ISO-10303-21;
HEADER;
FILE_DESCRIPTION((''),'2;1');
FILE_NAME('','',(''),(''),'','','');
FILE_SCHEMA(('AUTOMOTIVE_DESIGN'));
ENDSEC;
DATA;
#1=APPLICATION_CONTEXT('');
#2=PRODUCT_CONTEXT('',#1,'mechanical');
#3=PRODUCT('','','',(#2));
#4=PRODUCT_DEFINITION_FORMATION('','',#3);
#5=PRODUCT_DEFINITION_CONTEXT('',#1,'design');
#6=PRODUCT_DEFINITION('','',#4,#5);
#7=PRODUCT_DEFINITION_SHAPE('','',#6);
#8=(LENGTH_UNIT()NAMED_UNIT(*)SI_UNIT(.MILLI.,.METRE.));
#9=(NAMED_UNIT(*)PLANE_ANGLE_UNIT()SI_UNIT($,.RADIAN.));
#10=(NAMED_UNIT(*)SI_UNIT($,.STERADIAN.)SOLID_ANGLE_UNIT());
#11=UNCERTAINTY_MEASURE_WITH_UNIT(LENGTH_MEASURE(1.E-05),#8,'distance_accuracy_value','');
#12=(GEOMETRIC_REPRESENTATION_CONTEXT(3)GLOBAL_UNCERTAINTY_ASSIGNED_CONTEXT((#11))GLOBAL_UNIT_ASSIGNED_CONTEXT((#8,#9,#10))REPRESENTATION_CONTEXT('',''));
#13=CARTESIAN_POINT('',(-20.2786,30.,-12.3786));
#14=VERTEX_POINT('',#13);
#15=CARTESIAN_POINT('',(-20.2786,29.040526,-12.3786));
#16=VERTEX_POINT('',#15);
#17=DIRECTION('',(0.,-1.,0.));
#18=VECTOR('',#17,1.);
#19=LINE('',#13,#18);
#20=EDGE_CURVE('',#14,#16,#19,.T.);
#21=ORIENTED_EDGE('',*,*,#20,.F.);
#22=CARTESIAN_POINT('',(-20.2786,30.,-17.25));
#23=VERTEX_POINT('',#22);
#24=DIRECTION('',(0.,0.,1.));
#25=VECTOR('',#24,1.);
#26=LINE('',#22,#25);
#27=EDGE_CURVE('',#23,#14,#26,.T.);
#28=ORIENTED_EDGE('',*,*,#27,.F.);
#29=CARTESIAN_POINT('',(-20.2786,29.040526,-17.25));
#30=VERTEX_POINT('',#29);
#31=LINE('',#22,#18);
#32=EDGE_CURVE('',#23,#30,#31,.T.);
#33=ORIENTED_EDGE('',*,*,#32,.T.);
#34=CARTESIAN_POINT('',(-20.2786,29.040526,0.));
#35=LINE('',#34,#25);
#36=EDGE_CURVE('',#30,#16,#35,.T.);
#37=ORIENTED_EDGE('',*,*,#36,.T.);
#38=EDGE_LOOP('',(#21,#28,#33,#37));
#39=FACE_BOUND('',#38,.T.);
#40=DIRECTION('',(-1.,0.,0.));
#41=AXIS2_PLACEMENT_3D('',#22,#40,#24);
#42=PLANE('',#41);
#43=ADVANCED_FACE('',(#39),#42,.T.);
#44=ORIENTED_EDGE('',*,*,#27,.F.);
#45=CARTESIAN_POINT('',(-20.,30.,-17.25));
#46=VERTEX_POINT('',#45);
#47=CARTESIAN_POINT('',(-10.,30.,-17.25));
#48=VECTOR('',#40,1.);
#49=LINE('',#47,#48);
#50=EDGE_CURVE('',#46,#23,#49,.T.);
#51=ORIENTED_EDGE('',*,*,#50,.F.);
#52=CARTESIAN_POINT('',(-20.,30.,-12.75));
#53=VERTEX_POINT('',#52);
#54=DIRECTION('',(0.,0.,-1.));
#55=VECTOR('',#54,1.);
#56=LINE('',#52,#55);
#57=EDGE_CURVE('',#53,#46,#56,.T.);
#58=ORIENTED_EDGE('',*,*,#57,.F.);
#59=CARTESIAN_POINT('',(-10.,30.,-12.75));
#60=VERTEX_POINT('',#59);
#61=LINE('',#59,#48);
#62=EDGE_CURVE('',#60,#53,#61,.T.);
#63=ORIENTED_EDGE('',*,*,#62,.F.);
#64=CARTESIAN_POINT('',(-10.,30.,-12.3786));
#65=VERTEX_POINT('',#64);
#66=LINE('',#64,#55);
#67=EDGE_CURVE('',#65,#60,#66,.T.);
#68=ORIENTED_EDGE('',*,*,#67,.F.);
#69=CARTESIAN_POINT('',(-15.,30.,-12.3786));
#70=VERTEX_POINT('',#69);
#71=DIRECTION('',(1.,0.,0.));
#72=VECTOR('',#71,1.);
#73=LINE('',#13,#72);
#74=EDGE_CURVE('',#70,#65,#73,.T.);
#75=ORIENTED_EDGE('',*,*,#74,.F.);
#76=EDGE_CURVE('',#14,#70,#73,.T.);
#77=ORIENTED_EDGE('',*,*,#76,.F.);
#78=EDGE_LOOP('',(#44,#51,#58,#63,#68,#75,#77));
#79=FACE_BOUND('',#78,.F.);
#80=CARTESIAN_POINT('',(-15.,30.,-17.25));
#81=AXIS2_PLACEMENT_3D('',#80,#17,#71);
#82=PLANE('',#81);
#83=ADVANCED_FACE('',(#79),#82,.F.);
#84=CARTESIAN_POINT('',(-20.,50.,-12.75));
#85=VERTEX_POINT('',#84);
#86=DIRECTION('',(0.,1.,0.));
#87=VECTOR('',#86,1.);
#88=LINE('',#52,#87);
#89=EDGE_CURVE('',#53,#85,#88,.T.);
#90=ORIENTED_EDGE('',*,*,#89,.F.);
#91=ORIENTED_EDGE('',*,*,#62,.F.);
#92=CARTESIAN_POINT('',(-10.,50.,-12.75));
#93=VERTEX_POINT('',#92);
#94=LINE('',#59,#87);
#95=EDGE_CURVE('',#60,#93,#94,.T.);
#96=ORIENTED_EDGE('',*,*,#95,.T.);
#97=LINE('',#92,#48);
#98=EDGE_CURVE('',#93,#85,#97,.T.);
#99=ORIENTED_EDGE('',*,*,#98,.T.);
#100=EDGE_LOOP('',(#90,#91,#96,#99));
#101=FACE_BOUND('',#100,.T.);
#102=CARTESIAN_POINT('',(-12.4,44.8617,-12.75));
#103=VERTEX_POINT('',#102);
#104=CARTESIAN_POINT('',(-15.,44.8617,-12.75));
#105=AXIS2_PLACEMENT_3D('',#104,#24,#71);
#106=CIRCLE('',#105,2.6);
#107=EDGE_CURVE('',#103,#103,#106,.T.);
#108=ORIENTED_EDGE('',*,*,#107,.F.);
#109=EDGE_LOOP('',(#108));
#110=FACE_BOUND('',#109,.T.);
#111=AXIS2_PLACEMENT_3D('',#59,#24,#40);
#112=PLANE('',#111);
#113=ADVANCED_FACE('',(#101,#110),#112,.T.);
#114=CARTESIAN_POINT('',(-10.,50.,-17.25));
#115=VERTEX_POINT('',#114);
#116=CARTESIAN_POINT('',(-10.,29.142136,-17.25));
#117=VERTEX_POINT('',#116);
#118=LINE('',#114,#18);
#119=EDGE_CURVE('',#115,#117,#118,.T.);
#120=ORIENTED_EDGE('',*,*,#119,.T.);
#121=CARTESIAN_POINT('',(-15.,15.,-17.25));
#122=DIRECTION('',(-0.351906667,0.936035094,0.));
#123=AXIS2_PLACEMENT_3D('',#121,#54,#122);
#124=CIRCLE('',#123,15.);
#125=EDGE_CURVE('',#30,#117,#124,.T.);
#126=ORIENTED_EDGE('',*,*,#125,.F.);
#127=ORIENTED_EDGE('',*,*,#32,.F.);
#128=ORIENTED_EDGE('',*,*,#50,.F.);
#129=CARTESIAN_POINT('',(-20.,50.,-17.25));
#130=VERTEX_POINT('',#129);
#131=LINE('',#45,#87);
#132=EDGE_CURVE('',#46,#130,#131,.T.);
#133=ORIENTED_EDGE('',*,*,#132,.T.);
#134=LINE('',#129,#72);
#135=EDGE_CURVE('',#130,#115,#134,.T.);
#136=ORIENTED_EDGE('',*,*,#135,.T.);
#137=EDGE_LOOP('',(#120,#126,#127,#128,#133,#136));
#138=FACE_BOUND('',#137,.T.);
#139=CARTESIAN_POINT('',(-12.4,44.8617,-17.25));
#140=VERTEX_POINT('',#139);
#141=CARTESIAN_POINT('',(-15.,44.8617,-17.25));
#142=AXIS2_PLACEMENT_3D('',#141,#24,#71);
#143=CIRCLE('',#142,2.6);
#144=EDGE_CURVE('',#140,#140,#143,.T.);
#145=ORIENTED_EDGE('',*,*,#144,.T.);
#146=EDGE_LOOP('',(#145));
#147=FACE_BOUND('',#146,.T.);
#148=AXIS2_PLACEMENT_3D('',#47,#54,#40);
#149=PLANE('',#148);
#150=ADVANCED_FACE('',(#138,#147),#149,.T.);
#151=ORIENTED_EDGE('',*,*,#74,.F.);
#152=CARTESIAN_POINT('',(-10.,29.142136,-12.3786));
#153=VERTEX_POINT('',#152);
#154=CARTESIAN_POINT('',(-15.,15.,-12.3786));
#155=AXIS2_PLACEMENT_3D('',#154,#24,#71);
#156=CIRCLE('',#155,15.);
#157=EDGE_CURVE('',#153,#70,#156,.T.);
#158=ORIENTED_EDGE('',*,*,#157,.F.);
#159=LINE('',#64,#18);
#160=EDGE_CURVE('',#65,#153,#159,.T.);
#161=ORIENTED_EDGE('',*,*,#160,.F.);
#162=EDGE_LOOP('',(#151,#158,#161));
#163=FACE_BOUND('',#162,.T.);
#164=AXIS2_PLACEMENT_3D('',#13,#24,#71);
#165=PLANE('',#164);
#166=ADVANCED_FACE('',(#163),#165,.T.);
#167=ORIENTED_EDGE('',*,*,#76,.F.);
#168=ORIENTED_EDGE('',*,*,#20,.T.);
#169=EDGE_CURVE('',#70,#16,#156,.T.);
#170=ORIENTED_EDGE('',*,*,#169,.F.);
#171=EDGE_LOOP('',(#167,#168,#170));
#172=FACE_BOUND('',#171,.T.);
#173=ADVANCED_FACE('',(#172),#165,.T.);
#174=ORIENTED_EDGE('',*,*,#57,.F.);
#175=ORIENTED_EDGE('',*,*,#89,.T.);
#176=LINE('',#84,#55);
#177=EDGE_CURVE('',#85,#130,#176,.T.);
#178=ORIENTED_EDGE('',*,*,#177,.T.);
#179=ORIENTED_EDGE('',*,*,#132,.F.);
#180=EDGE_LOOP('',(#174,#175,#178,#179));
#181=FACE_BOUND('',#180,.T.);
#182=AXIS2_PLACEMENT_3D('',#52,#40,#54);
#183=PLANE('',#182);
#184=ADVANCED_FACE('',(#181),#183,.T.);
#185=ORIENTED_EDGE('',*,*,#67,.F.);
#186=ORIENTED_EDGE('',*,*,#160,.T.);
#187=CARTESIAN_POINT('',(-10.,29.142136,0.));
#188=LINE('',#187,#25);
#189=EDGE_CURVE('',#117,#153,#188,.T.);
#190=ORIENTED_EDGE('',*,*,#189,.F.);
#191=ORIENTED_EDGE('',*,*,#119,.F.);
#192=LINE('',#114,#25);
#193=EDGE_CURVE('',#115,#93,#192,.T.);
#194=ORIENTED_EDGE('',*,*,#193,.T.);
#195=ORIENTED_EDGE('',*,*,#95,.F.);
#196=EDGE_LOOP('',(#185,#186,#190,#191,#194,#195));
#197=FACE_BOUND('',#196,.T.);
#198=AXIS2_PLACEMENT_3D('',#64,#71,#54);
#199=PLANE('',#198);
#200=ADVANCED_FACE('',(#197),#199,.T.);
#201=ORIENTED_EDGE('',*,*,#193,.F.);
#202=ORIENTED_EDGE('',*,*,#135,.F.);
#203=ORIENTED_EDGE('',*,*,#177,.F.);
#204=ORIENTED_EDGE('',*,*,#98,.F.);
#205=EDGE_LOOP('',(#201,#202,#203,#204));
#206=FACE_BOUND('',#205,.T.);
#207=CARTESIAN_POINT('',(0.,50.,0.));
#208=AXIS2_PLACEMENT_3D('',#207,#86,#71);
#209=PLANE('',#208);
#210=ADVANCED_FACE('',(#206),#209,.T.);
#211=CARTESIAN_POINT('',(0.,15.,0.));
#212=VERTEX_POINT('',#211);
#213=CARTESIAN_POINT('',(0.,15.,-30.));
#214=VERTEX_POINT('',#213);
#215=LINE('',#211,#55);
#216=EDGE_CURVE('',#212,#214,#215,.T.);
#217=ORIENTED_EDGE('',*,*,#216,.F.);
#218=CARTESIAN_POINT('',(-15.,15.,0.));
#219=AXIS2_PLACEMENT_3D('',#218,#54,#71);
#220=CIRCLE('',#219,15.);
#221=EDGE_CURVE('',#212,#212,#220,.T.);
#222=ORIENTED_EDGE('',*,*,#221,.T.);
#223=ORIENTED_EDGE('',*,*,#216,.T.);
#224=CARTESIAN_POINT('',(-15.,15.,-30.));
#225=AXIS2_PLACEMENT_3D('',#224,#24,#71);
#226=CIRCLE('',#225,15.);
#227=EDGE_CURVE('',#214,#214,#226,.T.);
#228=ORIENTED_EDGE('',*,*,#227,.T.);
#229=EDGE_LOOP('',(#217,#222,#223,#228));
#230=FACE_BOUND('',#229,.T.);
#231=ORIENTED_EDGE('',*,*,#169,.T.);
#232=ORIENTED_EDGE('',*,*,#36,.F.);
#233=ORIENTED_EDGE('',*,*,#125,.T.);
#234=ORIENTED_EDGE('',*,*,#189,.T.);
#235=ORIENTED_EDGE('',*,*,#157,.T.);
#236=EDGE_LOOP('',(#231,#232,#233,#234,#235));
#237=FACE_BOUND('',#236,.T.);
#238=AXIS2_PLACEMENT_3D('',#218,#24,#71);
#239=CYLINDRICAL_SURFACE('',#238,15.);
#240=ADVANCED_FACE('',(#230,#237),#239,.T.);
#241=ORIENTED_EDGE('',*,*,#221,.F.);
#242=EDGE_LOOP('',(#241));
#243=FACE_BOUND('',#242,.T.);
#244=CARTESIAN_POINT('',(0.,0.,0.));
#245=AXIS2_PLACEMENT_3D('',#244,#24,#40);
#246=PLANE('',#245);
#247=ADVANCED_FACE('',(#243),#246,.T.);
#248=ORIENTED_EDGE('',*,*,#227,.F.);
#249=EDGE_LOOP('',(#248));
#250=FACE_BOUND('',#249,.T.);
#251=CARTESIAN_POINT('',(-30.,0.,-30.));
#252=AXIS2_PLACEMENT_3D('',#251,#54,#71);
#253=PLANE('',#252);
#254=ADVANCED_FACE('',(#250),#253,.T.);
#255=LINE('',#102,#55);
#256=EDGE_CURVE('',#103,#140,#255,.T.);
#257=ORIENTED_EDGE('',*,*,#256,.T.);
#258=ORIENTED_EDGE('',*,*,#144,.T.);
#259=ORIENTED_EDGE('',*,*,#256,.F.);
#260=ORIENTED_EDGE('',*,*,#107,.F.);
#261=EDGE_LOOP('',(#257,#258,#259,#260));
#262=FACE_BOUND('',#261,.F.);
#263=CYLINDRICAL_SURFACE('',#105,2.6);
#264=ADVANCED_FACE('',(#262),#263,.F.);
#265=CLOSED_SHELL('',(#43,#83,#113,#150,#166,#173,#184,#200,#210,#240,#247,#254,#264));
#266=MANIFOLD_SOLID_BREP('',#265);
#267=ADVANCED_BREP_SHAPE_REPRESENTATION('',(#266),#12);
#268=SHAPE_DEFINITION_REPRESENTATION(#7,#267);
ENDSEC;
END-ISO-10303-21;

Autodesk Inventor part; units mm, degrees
ref_plane "YZ Plane" through (0, 0, 0) normal (1, 0, 0) x (0, 1, 0)
ref_plane "XZ Plane" through (0, 0, 0) normal (0, 1, 0) x (-1, 0, 0)
ref_plane "XY Plane" through (0, 0, 0) normal (0, 0, 1) x (1, 0, 0)
sketch "Sketch1" plane through (0, 0, 0) normal (0, 1, 0) x (-1, 0, 0)
  line L0 (0, 0) -> (30, 0)
  line L1 (30, 0) -> (30, -30)
  line L2 (30, -30) -> (0, -30)
  line L3 (0, -30) -> (0, 0)
  dimension "d0" = 30
  dimension "d1" = 30
extrude "Extrusion1" add sketch "Sketch1" along normal blind 30
sketch "Sketch2" plane through (0, 30, 0) normal (0, 1, 0) x (1, 0, 0)
  line L0 (-20, 17.25) -> (-10, 17.25)
  line L1 (-10, 17.25) -> (-10, 12.75)
  line L2 (-10, 12.75) -> (-20, 12.75)
  line L3 (-20, 12.75) -> (-20, 17.25)
  line L4 (-20, 17.25) -> (-10, 12.75) construction
  line L5 (-10, 17.25) -> (-20, 12.75) construction
  line L6 (-30, 30) -> (-30, 0) projected
  line L7 (-30, 0) -> (0, 0) projected
  point P0 (-15, 15)
  point P1 (-30, 15)
  dimension "d4" = 15
  dimension "d5" = 15
  dimension "d6" = 10
  dimension "d7" = 4.5
extrude "Extrusion2" add sketch "Sketch2" along normal blind 20
sketch "Sketch3" plane through (-20, 30, -12.75) normal (0, 0, 1) x (1, 0, 0)
  circle A0 centre (5, 14.8617) radius 2.6
  point P0 (20, -30)
  dimension "d10" = 5.2
extrude "Extrusion3" cut sketch "Sketch3" against normal blind 20
sketch "Sketch4" plane through (-30, 0, 0) normal (0, 0, 1) x (1, 0, 0)
  circle A0 centre (15, 15) radius 15
  line L0 (0, 30) -> (30, 30) projected
  line L1 (0, 0) -> (30, 0)
  line L2 (30, 0) -> (30, 30)
  line L3 (30, 30) -> (0, 30)
  line L4 (0, 30) -> (0, 0)
  line L5 (0, 0) -> (30, 30) construction
  line L6 (30, 0) -> (0, 30) construction
  point P0 (0, 15)
  point P1 (15, 30)
  point P2 (30, 15)
  point P3 (15, 0)
  dimension "d13" = 15
  dimension "d14" = 30
extrude "Extrusion4" cut sketch "Sketch4" against normal blind 71.25 contours L2 L1 A0 | A0 L0 L2 | A0 L4 L0 | L1 L4 A0
sketch "Sketch5" plane through (-15, 30, -17.25) normal (0, -1, 0) x (1, 0, 0)
  line L0 (-5.2786, 4.8714) -> (5, 4.8714)
  line L1 (5, 4.8714) -> (5, 0)
  line L2 (5, 0) -> (-5.2786, 0)
  line L3 (-5.2786, 0) -> (-5.2786, 4.8714)
  point P0 (15, 17.25)
extrude "Extrusion5" add sketch "Sketch5" along normal blind 5
properties part number "ObjectCylinder"
